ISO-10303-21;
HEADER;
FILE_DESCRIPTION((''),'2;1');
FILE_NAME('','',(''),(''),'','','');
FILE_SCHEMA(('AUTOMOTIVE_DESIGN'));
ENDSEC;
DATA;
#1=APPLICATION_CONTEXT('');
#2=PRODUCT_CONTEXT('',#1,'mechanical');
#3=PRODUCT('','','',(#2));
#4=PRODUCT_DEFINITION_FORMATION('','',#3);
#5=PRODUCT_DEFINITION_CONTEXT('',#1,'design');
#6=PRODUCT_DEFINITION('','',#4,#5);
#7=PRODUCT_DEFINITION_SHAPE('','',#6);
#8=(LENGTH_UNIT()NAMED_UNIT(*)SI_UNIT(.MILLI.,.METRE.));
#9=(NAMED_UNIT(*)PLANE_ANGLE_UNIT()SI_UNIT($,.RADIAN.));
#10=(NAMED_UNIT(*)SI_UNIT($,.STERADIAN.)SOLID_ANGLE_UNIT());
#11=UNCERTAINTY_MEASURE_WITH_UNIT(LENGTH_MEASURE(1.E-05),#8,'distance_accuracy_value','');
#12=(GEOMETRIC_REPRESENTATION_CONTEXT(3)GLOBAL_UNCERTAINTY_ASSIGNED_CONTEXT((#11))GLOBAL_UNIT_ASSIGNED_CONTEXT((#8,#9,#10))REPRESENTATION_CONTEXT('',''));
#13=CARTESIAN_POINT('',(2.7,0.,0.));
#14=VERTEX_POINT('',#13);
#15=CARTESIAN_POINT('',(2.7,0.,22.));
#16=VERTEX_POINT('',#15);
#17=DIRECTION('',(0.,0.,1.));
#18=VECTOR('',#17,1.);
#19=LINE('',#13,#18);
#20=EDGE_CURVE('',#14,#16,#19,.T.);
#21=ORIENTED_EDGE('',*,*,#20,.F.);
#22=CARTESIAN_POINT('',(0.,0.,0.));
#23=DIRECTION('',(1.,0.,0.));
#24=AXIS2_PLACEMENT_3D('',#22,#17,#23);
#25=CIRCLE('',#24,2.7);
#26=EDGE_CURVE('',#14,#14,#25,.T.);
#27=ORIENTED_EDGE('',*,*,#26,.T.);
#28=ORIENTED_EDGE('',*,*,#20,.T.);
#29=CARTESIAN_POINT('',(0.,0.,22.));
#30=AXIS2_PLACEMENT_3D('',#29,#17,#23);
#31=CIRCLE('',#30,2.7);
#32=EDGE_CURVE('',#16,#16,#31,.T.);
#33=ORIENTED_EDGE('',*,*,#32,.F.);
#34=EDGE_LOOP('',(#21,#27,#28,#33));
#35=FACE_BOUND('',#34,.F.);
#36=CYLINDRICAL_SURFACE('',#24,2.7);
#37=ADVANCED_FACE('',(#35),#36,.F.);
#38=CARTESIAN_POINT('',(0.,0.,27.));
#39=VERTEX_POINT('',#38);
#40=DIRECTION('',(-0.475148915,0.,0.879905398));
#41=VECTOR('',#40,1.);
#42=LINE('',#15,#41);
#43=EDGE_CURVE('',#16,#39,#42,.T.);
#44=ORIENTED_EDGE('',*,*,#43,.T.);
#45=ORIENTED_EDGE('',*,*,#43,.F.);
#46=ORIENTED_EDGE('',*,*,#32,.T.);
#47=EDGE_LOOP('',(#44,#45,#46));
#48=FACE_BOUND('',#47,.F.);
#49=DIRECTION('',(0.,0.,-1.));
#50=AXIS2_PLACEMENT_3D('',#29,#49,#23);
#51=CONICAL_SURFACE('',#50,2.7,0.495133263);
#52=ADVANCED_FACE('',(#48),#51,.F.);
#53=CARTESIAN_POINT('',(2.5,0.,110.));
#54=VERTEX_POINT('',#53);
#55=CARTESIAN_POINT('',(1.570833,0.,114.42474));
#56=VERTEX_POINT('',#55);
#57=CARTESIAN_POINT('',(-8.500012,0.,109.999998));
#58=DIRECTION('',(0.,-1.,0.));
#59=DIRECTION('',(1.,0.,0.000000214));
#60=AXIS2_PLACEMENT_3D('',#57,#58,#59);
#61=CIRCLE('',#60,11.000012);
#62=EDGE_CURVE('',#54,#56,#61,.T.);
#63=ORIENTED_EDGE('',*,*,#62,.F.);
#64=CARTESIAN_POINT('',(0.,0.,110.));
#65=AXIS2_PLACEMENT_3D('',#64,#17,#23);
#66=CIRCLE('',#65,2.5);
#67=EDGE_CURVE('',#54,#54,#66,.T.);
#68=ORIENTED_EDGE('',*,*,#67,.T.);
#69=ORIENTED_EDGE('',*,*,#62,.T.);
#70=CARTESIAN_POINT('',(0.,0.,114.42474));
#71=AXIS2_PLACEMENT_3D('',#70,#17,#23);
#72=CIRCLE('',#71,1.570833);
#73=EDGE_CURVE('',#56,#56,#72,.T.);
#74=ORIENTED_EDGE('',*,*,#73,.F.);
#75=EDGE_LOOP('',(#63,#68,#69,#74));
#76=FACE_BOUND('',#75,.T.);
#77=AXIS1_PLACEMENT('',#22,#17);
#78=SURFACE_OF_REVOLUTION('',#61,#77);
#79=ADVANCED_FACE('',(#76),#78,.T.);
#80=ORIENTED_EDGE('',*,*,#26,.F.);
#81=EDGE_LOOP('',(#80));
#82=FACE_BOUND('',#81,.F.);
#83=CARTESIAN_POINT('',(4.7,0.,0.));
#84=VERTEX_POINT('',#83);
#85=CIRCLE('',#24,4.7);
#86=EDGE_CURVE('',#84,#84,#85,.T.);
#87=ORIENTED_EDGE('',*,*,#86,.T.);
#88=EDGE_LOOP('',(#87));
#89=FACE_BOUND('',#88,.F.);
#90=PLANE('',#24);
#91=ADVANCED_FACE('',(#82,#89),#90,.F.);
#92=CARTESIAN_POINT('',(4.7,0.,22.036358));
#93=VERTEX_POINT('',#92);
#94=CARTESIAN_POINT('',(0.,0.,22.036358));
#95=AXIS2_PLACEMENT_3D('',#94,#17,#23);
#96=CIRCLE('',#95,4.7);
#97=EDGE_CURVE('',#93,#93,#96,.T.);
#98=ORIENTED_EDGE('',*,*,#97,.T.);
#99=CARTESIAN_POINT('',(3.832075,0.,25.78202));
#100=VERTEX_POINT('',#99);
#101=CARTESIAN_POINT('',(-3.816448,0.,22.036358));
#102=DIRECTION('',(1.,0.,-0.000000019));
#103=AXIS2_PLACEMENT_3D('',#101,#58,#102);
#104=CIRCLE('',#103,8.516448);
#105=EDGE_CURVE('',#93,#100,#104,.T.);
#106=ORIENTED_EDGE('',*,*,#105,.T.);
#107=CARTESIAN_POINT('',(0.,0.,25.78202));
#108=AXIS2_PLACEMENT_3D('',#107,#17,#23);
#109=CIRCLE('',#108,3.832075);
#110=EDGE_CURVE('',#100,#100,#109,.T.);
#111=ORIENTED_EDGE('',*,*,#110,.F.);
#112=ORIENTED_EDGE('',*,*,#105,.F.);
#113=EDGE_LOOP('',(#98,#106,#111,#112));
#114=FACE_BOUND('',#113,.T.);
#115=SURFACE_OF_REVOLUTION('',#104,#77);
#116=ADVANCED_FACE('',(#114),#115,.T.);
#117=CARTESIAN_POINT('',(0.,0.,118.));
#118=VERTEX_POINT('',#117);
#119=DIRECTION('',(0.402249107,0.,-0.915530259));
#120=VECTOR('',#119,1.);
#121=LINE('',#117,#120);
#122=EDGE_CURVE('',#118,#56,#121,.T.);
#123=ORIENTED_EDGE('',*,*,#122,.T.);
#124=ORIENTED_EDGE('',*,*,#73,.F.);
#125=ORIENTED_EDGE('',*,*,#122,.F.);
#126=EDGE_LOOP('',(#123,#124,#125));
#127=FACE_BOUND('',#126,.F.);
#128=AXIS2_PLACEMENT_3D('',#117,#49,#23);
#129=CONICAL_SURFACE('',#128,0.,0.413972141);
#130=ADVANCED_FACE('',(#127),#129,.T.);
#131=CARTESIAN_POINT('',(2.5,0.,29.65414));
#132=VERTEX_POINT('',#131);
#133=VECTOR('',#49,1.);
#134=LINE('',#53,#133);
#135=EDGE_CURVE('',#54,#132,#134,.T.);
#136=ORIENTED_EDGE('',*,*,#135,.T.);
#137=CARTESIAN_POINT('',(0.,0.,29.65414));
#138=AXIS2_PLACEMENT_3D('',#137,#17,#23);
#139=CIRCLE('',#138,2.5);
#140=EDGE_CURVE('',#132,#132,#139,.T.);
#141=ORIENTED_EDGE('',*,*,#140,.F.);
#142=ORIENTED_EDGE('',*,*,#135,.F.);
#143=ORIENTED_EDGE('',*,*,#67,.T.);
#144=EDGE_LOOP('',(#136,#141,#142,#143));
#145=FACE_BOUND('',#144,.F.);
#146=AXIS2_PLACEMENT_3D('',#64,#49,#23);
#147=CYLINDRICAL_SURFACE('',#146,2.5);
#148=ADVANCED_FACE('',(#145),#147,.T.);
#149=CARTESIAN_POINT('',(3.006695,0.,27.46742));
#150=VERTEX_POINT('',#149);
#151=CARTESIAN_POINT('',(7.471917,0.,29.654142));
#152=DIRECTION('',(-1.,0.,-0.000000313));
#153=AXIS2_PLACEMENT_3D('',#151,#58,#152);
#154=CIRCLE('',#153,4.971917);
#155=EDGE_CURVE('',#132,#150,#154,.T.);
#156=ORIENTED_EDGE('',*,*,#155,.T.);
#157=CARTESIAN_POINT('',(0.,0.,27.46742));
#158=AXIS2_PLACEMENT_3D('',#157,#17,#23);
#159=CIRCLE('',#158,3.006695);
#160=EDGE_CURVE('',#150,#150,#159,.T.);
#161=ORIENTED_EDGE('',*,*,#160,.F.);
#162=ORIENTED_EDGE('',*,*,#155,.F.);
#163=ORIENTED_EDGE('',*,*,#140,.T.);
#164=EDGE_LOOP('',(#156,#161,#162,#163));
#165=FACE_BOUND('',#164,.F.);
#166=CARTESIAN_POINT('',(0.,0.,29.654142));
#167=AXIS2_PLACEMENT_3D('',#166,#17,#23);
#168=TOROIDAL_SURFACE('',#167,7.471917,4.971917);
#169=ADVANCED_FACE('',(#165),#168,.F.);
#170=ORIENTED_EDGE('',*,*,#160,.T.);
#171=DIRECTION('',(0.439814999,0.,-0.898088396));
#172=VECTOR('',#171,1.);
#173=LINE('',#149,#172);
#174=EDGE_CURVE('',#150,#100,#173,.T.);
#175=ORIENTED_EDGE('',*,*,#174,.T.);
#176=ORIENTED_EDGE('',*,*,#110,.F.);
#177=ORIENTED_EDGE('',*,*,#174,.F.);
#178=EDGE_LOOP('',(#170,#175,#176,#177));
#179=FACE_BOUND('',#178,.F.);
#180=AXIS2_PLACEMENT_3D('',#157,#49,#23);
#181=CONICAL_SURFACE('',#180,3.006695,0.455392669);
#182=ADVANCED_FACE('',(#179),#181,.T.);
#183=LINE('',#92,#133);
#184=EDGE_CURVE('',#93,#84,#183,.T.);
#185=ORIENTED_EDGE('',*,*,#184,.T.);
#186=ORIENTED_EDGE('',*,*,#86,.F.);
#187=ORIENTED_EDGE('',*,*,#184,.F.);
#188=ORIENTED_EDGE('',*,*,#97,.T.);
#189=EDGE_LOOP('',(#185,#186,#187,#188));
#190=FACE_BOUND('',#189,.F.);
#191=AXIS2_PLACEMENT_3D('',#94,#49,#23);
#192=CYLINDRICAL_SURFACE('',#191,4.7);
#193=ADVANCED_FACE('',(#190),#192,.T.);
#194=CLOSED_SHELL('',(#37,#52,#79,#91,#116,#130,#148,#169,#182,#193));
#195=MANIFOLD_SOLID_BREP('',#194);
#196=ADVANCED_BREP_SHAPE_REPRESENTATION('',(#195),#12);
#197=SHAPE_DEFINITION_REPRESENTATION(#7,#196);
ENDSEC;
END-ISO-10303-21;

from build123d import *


with BuildPart() as part:
    # Sketch → Revolution (revolve)
    with BuildSketch(Plane.XZ):
        with BuildLine():
            Line((2.7, 0), (2.7, 22))
            Line((2.7, 22), (0, 27))
            Line((0, 27), (0, 118))
            Line((0, 118), (1.570833, 114.42474))
            ThreePointArc((2.5, 110), (2.265202, 112.260624), (1.570833, 114.42474))
            Line((2.5, 110), (2.5, 29.65414))
            ThreePointArc((2.5, 29.65414), (2.62833, 28.531812), (3.006695, 27.46742))
            Line((3.006695, 27.46742), (3.832075, 25.78202))
            ThreePointArc((4.7, 22.036358), (4.480182, 23.958809), (3.832075, 25.78202))
            Line((4.7, 22.036358), (4.7, 0))
            Line((4.7, 0), (2.7, 0))
        make_face()
    revolve(axis=Axis((0, 0, 0), (0, 0, 1)))


solid = part.part
